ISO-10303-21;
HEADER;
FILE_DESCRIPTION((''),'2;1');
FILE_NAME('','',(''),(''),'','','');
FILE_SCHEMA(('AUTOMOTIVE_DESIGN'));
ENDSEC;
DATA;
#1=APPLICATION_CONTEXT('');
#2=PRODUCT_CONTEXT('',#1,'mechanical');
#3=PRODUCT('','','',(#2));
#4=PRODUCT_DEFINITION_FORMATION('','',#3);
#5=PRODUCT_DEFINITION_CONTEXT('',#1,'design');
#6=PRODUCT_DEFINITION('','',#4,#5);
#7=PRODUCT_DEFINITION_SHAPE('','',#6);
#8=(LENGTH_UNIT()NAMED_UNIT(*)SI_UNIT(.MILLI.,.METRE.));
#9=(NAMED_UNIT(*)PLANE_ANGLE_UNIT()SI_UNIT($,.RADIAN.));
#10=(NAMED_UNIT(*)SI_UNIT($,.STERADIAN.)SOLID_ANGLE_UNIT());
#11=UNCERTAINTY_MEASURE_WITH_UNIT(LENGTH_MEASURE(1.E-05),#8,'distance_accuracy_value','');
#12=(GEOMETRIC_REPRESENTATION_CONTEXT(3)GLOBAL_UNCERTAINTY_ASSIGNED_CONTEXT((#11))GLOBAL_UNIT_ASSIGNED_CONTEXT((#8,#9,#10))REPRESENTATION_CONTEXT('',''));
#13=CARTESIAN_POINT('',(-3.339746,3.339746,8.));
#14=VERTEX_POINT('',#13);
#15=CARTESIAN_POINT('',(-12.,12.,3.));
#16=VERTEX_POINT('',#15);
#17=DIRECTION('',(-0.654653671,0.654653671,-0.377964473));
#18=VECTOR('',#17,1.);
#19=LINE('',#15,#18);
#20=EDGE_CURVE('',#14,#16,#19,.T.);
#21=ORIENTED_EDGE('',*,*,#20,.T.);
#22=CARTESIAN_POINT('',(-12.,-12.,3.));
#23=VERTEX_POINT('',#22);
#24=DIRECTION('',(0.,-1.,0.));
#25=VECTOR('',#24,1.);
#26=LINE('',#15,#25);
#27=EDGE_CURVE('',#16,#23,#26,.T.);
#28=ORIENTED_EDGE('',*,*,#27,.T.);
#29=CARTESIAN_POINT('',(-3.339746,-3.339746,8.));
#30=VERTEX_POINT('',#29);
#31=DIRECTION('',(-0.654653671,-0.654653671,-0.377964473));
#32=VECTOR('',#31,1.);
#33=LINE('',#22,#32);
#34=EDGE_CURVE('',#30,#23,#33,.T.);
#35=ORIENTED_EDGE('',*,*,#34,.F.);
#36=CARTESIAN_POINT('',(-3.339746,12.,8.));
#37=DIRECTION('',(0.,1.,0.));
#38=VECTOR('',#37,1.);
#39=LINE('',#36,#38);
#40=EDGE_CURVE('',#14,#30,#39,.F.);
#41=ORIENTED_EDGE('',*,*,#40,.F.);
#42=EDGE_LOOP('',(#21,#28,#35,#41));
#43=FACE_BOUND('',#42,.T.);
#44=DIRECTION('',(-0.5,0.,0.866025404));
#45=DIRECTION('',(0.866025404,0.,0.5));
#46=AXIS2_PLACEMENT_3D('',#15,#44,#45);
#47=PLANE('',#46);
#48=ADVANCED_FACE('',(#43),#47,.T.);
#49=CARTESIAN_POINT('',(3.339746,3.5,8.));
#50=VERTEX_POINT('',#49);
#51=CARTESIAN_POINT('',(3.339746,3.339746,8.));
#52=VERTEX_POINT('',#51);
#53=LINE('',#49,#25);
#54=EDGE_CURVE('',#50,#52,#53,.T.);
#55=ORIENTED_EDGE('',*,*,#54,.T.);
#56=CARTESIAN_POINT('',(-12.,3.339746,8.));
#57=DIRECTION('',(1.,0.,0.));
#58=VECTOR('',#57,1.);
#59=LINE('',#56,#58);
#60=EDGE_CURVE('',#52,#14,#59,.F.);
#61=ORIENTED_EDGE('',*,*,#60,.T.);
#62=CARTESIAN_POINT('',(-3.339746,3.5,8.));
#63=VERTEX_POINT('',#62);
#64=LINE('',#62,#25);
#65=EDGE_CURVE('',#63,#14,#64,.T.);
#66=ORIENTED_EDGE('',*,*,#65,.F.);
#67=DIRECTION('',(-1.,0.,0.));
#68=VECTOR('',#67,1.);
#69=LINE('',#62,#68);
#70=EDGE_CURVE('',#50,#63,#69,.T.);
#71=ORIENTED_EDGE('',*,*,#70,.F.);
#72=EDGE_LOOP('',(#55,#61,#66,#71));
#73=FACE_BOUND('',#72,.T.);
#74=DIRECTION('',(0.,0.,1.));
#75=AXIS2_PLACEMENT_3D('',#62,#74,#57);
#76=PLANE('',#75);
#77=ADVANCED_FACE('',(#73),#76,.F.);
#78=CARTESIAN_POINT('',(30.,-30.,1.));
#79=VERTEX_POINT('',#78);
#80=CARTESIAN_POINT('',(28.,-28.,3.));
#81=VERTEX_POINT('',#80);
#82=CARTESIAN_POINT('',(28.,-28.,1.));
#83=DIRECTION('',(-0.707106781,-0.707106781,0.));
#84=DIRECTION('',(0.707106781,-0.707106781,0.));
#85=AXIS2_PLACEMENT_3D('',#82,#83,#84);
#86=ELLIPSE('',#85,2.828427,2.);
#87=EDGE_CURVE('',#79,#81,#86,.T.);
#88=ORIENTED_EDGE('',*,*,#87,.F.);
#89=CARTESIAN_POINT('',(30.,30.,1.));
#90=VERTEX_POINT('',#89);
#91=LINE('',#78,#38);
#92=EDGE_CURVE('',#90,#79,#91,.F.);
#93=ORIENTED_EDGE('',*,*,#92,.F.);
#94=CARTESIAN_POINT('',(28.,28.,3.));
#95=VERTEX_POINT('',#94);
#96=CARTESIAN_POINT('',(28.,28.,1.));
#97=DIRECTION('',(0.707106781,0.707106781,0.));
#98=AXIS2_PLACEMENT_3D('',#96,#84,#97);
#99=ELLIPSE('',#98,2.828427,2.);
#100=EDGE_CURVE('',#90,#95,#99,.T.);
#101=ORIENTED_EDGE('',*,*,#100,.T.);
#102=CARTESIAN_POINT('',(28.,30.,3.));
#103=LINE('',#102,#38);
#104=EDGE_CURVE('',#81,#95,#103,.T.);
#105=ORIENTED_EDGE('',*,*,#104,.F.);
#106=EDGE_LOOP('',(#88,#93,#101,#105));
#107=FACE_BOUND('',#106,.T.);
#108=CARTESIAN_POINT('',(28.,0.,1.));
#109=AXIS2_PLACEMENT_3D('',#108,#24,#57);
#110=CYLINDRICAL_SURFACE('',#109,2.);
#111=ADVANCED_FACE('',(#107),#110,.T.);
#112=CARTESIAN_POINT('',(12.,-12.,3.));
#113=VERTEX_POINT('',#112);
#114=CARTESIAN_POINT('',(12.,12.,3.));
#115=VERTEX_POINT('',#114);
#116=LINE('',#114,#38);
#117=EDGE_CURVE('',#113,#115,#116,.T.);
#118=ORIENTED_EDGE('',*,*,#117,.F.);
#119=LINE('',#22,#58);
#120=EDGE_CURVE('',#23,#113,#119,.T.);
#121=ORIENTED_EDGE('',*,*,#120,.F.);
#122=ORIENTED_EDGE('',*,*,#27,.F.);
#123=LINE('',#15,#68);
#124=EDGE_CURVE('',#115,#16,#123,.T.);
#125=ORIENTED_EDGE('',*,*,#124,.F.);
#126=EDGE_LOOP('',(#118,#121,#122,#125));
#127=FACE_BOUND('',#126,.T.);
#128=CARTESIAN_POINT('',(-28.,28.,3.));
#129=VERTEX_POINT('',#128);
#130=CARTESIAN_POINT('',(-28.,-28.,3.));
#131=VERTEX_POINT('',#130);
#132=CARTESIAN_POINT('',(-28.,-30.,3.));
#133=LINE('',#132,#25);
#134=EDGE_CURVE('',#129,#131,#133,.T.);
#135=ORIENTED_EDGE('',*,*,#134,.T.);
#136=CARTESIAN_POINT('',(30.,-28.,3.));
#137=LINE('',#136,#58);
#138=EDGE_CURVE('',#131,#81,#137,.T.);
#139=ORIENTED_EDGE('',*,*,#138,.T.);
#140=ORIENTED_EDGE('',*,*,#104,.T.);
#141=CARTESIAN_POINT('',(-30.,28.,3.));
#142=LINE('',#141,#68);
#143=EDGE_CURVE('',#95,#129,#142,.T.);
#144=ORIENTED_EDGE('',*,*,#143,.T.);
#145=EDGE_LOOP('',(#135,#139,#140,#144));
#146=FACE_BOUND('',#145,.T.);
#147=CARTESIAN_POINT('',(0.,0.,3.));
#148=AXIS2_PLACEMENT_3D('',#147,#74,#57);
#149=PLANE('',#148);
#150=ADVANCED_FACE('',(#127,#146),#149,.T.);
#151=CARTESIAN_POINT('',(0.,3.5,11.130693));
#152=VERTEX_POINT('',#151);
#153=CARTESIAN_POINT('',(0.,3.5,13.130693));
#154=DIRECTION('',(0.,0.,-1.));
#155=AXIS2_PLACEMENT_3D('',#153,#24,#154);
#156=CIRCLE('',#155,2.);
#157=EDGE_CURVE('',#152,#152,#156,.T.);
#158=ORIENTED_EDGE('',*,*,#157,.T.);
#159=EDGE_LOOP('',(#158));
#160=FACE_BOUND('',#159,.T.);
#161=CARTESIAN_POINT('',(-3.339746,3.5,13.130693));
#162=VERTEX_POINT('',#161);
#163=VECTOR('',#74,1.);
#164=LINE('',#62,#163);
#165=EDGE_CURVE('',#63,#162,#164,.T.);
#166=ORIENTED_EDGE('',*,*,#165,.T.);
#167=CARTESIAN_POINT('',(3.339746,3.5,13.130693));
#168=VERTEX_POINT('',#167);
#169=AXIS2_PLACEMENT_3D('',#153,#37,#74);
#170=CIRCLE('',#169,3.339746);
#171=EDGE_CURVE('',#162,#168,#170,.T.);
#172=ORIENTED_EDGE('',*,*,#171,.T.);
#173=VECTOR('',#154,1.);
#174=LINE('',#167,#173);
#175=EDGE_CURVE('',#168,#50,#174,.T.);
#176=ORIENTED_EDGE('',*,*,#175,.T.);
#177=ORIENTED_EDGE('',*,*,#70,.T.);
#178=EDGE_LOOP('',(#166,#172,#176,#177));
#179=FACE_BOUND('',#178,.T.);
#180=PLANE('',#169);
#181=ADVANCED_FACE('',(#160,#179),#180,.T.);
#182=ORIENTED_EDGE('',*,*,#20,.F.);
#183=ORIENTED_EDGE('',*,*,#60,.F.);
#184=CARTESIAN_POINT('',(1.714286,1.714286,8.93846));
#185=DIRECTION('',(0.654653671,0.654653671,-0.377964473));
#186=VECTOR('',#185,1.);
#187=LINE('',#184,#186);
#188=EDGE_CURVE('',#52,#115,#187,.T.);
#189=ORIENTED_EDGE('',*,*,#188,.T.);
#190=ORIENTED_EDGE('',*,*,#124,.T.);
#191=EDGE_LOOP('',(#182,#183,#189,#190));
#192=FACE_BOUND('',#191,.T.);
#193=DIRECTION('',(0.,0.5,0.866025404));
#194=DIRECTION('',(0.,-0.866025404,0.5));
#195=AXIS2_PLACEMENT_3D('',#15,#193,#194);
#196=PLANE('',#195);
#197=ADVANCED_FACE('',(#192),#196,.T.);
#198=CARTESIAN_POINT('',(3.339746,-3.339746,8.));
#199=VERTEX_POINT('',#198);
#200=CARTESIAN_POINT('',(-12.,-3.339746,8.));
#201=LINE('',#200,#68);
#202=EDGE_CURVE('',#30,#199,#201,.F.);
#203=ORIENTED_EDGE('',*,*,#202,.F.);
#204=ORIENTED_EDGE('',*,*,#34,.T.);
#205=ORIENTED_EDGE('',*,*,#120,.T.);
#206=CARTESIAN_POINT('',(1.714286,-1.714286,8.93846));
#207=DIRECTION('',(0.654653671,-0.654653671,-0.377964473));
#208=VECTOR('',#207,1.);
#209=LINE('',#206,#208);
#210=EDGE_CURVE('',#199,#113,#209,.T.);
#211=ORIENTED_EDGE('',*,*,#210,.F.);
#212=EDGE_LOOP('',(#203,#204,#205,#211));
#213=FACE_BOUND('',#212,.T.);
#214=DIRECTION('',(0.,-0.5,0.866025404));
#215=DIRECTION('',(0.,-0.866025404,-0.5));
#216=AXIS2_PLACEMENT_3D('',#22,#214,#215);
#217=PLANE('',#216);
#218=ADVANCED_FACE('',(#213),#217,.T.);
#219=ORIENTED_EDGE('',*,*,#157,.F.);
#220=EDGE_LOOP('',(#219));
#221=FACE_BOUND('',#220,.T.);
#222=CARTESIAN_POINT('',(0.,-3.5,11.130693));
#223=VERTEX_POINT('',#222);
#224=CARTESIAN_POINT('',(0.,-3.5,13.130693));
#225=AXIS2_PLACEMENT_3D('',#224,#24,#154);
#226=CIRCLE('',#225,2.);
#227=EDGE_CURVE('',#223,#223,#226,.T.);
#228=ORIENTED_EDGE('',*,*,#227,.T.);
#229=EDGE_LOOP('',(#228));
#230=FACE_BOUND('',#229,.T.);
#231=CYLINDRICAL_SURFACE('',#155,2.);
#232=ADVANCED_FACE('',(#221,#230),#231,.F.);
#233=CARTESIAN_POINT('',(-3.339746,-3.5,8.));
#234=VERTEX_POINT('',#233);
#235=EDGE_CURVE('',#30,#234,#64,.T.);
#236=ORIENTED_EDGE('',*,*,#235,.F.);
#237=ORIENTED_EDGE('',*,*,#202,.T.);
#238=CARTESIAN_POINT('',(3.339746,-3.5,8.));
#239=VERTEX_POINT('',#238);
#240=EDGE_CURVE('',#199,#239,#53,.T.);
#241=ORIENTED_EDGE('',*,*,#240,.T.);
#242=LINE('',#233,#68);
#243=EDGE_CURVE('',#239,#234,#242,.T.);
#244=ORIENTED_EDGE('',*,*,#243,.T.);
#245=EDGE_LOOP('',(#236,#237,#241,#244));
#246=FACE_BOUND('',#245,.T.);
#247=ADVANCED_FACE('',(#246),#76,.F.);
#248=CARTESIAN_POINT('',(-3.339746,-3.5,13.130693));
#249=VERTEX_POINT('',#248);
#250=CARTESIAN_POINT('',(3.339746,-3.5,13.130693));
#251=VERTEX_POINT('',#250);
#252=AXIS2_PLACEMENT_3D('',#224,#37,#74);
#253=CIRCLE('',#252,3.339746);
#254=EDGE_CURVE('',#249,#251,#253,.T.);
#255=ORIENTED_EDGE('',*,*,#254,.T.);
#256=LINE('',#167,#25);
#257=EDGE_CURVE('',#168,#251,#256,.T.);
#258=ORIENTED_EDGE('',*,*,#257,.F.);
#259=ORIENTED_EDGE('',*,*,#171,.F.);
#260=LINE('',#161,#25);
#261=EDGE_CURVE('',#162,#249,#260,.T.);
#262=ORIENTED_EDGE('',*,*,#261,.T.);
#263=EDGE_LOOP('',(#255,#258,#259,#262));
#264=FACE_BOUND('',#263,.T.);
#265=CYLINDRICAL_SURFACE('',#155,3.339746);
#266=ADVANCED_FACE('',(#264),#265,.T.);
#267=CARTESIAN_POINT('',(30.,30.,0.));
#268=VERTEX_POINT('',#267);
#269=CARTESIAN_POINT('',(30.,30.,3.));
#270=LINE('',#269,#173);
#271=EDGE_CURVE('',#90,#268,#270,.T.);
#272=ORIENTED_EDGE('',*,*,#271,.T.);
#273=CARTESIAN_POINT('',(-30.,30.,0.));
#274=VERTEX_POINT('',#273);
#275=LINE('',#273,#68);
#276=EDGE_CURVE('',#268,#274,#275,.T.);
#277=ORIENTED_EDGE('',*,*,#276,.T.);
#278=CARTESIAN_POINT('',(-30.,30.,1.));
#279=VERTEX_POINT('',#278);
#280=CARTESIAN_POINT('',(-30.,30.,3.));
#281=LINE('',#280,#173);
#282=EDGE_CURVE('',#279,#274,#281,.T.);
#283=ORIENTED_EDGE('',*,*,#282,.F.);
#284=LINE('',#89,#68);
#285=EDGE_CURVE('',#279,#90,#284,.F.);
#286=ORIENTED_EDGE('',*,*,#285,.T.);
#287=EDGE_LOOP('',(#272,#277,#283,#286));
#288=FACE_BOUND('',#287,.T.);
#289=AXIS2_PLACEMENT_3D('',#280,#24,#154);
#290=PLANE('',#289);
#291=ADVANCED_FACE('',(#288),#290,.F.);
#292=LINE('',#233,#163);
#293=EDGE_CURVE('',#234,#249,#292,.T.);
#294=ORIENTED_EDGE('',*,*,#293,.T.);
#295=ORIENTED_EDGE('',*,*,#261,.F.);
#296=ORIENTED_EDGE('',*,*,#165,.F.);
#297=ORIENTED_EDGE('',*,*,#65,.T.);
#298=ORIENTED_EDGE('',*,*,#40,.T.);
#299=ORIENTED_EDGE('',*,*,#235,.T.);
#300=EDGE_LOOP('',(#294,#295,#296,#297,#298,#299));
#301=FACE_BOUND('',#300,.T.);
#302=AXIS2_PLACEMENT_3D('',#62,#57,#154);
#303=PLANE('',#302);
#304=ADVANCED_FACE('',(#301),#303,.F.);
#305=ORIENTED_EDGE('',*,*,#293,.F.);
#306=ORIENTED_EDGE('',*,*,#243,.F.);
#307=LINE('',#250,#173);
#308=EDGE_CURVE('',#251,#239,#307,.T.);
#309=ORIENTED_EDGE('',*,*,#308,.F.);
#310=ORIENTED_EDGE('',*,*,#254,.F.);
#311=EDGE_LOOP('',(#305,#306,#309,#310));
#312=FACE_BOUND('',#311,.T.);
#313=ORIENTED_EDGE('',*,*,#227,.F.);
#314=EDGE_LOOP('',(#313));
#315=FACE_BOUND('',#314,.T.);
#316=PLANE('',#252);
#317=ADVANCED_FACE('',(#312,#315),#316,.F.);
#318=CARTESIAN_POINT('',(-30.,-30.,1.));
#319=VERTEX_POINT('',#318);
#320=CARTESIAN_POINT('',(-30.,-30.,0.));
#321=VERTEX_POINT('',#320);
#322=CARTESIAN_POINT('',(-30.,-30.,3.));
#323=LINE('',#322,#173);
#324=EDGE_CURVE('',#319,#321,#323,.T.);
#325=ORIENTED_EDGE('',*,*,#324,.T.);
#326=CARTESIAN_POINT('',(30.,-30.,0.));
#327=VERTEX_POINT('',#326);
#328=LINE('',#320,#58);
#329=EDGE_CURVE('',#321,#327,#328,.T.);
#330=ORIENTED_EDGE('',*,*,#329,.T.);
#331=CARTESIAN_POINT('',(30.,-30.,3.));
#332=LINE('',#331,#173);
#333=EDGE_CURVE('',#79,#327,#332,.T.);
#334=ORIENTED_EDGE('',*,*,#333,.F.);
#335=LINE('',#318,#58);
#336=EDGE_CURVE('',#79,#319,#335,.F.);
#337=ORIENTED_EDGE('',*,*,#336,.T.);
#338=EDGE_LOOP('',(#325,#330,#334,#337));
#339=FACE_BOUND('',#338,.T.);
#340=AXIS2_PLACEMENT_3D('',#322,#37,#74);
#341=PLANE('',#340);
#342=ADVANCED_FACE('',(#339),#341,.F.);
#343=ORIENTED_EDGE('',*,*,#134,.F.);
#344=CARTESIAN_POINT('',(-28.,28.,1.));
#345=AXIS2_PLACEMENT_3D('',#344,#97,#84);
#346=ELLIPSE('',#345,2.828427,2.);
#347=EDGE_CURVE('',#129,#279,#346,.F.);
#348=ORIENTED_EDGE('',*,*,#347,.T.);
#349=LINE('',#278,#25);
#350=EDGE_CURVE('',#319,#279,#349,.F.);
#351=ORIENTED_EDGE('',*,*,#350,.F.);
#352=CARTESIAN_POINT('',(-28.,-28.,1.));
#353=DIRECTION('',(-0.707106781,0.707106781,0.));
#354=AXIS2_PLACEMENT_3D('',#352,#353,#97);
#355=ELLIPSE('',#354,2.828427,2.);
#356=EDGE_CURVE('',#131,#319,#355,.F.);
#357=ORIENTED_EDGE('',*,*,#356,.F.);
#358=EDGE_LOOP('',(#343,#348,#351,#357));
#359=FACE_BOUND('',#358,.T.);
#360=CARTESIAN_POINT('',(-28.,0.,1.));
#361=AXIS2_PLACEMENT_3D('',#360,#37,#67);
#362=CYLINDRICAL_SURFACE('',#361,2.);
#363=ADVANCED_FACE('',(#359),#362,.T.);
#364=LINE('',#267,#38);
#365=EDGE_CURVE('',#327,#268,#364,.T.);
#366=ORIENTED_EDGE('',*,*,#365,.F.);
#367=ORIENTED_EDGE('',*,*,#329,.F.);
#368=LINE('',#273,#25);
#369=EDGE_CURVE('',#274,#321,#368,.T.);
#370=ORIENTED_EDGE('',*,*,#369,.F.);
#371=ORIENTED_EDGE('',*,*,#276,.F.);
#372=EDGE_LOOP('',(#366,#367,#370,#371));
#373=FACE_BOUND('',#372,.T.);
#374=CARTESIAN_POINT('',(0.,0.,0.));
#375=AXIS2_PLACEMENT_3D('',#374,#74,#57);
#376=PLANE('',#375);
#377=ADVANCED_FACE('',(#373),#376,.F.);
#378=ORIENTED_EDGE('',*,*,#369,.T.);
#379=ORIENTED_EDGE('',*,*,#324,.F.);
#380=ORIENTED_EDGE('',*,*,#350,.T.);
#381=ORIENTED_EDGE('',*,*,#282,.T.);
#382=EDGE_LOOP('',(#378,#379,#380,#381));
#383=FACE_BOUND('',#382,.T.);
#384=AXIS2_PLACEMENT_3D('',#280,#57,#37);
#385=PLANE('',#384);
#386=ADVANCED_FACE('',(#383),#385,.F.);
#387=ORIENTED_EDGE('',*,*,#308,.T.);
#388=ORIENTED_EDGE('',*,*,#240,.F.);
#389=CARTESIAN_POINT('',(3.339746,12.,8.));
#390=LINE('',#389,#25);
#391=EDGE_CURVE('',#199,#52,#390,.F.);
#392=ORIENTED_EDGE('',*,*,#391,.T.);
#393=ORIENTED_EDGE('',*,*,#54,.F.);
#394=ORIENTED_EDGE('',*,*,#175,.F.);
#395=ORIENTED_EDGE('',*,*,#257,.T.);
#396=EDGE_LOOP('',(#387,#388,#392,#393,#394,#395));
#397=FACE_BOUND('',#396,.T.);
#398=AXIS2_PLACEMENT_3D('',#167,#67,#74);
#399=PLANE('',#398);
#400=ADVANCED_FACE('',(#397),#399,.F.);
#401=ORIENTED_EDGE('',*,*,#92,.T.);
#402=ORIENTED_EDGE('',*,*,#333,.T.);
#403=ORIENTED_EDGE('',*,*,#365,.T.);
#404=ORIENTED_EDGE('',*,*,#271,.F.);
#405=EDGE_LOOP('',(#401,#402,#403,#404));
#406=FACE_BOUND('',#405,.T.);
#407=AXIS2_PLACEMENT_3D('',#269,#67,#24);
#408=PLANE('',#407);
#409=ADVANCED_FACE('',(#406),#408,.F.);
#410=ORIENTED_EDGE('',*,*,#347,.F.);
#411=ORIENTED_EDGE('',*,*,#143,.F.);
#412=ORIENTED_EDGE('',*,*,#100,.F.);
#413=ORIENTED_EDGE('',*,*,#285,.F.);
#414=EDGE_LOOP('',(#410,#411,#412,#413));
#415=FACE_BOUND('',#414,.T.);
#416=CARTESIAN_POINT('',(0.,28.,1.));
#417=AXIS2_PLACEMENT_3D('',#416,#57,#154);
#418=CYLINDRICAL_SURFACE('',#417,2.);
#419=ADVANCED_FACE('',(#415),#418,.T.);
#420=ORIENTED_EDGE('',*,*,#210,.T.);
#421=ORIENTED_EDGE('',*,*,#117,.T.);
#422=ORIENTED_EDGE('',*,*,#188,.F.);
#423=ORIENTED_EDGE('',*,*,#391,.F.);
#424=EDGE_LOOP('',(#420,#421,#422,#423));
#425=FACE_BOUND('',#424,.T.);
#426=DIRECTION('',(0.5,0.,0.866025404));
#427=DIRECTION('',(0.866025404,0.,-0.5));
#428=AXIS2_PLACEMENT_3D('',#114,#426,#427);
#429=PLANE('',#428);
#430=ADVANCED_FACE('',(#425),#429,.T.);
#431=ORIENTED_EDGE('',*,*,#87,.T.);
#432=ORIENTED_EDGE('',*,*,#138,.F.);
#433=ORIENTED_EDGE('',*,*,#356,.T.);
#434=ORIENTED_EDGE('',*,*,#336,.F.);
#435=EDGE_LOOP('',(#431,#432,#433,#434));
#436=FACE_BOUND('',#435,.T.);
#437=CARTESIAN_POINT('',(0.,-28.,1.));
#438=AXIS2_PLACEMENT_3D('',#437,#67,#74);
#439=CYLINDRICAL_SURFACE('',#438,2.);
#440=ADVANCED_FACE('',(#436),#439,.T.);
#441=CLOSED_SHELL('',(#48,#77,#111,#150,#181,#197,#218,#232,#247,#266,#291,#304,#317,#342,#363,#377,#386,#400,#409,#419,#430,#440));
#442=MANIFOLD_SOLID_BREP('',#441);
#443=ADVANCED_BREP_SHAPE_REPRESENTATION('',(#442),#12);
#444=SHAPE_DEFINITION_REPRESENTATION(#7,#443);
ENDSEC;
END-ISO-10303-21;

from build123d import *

# Parameters (mm, degrees)
CROQUIS1_W              = 60
CROQUIS1_H              = 60
SALIENTE_EXTRUIR1_DEPTH = 3
REDONDEO1_R             = 2
CROQUIS2_W              = 24
CROQUIS2_H              = 24
SALIENTE_EXTRUIR2_DEPTH = 5
SALIENTE_EXTRUIR2_TAPER = 60
SALIENTE_EXTRUIR3_DEPTH = 3.5
CROQUIS7_R              = 2
CORTAR_EXTRUIR1_DEPTH   = 7


with BuildPart() as part:
    # Croquis1 → Saliente-Extruir1 (new body)
    with BuildSketch(Plane.XY):
        Rectangle(CROQUIS1_W, CROQUIS1_H)
    extrude(amount=SALIENTE_EXTRUIR1_DEPTH)

    # Redondeo1
    redondeo1_edges = [part.edges().sort_by_distance(p)[0] for p in [
        (0, -30, 3),
        (-30, 0, 3),
        (30, 0, 3),
        (0, 30, 3),
    ]]
    fillet(redondeo1_edges, radius=REDONDEO1_R)

    # Croquis2 → Saliente-Extruir2 (add)
    with BuildSketch(Plane.XY.offset(3)):
        Rectangle(CROQUIS2_W, CROQUIS2_H)
    extrude(amount=SALIENTE_EXTRUIR2_DEPTH, taper=SALIENTE_EXTRUIR2_TAPER)

    # Croquis6 → Saliente-Extruir3 (add, symmetric)
    with BuildSketch(Plane(origin=(0, 0, 0), x_dir=(1, 0, 0), z_dir=(0, 1, 0))):
        with BuildLine():
            Line((-3.339745962, -8), (-3.339745962, -13.130693005))
            ThreePointArc((-3.339745962, -13.130693005), (0, -16.470438967), (3.339745962, -13.130693005))
            Line((3.339745962, -13.130693005), (3.339745962, -8))
            Line((3.339745962, -8), (-3.339745962, -8))
        make_face()
    extrude(amount=SALIENTE_EXTRUIR3_DEPTH, both=True)

    # Croquis7 → Cortar-Extruir1 (cut)
    with BuildSketch(Plane.XZ.offset(3.5)):
        with Locations((0, 13.130693005)):
            Circle(CROQUIS7_R)
    extrude(amount=-CORTAR_EXTRUIR1_DEPTH, mode=Mode.SUBTRACT)


solid = part.part
